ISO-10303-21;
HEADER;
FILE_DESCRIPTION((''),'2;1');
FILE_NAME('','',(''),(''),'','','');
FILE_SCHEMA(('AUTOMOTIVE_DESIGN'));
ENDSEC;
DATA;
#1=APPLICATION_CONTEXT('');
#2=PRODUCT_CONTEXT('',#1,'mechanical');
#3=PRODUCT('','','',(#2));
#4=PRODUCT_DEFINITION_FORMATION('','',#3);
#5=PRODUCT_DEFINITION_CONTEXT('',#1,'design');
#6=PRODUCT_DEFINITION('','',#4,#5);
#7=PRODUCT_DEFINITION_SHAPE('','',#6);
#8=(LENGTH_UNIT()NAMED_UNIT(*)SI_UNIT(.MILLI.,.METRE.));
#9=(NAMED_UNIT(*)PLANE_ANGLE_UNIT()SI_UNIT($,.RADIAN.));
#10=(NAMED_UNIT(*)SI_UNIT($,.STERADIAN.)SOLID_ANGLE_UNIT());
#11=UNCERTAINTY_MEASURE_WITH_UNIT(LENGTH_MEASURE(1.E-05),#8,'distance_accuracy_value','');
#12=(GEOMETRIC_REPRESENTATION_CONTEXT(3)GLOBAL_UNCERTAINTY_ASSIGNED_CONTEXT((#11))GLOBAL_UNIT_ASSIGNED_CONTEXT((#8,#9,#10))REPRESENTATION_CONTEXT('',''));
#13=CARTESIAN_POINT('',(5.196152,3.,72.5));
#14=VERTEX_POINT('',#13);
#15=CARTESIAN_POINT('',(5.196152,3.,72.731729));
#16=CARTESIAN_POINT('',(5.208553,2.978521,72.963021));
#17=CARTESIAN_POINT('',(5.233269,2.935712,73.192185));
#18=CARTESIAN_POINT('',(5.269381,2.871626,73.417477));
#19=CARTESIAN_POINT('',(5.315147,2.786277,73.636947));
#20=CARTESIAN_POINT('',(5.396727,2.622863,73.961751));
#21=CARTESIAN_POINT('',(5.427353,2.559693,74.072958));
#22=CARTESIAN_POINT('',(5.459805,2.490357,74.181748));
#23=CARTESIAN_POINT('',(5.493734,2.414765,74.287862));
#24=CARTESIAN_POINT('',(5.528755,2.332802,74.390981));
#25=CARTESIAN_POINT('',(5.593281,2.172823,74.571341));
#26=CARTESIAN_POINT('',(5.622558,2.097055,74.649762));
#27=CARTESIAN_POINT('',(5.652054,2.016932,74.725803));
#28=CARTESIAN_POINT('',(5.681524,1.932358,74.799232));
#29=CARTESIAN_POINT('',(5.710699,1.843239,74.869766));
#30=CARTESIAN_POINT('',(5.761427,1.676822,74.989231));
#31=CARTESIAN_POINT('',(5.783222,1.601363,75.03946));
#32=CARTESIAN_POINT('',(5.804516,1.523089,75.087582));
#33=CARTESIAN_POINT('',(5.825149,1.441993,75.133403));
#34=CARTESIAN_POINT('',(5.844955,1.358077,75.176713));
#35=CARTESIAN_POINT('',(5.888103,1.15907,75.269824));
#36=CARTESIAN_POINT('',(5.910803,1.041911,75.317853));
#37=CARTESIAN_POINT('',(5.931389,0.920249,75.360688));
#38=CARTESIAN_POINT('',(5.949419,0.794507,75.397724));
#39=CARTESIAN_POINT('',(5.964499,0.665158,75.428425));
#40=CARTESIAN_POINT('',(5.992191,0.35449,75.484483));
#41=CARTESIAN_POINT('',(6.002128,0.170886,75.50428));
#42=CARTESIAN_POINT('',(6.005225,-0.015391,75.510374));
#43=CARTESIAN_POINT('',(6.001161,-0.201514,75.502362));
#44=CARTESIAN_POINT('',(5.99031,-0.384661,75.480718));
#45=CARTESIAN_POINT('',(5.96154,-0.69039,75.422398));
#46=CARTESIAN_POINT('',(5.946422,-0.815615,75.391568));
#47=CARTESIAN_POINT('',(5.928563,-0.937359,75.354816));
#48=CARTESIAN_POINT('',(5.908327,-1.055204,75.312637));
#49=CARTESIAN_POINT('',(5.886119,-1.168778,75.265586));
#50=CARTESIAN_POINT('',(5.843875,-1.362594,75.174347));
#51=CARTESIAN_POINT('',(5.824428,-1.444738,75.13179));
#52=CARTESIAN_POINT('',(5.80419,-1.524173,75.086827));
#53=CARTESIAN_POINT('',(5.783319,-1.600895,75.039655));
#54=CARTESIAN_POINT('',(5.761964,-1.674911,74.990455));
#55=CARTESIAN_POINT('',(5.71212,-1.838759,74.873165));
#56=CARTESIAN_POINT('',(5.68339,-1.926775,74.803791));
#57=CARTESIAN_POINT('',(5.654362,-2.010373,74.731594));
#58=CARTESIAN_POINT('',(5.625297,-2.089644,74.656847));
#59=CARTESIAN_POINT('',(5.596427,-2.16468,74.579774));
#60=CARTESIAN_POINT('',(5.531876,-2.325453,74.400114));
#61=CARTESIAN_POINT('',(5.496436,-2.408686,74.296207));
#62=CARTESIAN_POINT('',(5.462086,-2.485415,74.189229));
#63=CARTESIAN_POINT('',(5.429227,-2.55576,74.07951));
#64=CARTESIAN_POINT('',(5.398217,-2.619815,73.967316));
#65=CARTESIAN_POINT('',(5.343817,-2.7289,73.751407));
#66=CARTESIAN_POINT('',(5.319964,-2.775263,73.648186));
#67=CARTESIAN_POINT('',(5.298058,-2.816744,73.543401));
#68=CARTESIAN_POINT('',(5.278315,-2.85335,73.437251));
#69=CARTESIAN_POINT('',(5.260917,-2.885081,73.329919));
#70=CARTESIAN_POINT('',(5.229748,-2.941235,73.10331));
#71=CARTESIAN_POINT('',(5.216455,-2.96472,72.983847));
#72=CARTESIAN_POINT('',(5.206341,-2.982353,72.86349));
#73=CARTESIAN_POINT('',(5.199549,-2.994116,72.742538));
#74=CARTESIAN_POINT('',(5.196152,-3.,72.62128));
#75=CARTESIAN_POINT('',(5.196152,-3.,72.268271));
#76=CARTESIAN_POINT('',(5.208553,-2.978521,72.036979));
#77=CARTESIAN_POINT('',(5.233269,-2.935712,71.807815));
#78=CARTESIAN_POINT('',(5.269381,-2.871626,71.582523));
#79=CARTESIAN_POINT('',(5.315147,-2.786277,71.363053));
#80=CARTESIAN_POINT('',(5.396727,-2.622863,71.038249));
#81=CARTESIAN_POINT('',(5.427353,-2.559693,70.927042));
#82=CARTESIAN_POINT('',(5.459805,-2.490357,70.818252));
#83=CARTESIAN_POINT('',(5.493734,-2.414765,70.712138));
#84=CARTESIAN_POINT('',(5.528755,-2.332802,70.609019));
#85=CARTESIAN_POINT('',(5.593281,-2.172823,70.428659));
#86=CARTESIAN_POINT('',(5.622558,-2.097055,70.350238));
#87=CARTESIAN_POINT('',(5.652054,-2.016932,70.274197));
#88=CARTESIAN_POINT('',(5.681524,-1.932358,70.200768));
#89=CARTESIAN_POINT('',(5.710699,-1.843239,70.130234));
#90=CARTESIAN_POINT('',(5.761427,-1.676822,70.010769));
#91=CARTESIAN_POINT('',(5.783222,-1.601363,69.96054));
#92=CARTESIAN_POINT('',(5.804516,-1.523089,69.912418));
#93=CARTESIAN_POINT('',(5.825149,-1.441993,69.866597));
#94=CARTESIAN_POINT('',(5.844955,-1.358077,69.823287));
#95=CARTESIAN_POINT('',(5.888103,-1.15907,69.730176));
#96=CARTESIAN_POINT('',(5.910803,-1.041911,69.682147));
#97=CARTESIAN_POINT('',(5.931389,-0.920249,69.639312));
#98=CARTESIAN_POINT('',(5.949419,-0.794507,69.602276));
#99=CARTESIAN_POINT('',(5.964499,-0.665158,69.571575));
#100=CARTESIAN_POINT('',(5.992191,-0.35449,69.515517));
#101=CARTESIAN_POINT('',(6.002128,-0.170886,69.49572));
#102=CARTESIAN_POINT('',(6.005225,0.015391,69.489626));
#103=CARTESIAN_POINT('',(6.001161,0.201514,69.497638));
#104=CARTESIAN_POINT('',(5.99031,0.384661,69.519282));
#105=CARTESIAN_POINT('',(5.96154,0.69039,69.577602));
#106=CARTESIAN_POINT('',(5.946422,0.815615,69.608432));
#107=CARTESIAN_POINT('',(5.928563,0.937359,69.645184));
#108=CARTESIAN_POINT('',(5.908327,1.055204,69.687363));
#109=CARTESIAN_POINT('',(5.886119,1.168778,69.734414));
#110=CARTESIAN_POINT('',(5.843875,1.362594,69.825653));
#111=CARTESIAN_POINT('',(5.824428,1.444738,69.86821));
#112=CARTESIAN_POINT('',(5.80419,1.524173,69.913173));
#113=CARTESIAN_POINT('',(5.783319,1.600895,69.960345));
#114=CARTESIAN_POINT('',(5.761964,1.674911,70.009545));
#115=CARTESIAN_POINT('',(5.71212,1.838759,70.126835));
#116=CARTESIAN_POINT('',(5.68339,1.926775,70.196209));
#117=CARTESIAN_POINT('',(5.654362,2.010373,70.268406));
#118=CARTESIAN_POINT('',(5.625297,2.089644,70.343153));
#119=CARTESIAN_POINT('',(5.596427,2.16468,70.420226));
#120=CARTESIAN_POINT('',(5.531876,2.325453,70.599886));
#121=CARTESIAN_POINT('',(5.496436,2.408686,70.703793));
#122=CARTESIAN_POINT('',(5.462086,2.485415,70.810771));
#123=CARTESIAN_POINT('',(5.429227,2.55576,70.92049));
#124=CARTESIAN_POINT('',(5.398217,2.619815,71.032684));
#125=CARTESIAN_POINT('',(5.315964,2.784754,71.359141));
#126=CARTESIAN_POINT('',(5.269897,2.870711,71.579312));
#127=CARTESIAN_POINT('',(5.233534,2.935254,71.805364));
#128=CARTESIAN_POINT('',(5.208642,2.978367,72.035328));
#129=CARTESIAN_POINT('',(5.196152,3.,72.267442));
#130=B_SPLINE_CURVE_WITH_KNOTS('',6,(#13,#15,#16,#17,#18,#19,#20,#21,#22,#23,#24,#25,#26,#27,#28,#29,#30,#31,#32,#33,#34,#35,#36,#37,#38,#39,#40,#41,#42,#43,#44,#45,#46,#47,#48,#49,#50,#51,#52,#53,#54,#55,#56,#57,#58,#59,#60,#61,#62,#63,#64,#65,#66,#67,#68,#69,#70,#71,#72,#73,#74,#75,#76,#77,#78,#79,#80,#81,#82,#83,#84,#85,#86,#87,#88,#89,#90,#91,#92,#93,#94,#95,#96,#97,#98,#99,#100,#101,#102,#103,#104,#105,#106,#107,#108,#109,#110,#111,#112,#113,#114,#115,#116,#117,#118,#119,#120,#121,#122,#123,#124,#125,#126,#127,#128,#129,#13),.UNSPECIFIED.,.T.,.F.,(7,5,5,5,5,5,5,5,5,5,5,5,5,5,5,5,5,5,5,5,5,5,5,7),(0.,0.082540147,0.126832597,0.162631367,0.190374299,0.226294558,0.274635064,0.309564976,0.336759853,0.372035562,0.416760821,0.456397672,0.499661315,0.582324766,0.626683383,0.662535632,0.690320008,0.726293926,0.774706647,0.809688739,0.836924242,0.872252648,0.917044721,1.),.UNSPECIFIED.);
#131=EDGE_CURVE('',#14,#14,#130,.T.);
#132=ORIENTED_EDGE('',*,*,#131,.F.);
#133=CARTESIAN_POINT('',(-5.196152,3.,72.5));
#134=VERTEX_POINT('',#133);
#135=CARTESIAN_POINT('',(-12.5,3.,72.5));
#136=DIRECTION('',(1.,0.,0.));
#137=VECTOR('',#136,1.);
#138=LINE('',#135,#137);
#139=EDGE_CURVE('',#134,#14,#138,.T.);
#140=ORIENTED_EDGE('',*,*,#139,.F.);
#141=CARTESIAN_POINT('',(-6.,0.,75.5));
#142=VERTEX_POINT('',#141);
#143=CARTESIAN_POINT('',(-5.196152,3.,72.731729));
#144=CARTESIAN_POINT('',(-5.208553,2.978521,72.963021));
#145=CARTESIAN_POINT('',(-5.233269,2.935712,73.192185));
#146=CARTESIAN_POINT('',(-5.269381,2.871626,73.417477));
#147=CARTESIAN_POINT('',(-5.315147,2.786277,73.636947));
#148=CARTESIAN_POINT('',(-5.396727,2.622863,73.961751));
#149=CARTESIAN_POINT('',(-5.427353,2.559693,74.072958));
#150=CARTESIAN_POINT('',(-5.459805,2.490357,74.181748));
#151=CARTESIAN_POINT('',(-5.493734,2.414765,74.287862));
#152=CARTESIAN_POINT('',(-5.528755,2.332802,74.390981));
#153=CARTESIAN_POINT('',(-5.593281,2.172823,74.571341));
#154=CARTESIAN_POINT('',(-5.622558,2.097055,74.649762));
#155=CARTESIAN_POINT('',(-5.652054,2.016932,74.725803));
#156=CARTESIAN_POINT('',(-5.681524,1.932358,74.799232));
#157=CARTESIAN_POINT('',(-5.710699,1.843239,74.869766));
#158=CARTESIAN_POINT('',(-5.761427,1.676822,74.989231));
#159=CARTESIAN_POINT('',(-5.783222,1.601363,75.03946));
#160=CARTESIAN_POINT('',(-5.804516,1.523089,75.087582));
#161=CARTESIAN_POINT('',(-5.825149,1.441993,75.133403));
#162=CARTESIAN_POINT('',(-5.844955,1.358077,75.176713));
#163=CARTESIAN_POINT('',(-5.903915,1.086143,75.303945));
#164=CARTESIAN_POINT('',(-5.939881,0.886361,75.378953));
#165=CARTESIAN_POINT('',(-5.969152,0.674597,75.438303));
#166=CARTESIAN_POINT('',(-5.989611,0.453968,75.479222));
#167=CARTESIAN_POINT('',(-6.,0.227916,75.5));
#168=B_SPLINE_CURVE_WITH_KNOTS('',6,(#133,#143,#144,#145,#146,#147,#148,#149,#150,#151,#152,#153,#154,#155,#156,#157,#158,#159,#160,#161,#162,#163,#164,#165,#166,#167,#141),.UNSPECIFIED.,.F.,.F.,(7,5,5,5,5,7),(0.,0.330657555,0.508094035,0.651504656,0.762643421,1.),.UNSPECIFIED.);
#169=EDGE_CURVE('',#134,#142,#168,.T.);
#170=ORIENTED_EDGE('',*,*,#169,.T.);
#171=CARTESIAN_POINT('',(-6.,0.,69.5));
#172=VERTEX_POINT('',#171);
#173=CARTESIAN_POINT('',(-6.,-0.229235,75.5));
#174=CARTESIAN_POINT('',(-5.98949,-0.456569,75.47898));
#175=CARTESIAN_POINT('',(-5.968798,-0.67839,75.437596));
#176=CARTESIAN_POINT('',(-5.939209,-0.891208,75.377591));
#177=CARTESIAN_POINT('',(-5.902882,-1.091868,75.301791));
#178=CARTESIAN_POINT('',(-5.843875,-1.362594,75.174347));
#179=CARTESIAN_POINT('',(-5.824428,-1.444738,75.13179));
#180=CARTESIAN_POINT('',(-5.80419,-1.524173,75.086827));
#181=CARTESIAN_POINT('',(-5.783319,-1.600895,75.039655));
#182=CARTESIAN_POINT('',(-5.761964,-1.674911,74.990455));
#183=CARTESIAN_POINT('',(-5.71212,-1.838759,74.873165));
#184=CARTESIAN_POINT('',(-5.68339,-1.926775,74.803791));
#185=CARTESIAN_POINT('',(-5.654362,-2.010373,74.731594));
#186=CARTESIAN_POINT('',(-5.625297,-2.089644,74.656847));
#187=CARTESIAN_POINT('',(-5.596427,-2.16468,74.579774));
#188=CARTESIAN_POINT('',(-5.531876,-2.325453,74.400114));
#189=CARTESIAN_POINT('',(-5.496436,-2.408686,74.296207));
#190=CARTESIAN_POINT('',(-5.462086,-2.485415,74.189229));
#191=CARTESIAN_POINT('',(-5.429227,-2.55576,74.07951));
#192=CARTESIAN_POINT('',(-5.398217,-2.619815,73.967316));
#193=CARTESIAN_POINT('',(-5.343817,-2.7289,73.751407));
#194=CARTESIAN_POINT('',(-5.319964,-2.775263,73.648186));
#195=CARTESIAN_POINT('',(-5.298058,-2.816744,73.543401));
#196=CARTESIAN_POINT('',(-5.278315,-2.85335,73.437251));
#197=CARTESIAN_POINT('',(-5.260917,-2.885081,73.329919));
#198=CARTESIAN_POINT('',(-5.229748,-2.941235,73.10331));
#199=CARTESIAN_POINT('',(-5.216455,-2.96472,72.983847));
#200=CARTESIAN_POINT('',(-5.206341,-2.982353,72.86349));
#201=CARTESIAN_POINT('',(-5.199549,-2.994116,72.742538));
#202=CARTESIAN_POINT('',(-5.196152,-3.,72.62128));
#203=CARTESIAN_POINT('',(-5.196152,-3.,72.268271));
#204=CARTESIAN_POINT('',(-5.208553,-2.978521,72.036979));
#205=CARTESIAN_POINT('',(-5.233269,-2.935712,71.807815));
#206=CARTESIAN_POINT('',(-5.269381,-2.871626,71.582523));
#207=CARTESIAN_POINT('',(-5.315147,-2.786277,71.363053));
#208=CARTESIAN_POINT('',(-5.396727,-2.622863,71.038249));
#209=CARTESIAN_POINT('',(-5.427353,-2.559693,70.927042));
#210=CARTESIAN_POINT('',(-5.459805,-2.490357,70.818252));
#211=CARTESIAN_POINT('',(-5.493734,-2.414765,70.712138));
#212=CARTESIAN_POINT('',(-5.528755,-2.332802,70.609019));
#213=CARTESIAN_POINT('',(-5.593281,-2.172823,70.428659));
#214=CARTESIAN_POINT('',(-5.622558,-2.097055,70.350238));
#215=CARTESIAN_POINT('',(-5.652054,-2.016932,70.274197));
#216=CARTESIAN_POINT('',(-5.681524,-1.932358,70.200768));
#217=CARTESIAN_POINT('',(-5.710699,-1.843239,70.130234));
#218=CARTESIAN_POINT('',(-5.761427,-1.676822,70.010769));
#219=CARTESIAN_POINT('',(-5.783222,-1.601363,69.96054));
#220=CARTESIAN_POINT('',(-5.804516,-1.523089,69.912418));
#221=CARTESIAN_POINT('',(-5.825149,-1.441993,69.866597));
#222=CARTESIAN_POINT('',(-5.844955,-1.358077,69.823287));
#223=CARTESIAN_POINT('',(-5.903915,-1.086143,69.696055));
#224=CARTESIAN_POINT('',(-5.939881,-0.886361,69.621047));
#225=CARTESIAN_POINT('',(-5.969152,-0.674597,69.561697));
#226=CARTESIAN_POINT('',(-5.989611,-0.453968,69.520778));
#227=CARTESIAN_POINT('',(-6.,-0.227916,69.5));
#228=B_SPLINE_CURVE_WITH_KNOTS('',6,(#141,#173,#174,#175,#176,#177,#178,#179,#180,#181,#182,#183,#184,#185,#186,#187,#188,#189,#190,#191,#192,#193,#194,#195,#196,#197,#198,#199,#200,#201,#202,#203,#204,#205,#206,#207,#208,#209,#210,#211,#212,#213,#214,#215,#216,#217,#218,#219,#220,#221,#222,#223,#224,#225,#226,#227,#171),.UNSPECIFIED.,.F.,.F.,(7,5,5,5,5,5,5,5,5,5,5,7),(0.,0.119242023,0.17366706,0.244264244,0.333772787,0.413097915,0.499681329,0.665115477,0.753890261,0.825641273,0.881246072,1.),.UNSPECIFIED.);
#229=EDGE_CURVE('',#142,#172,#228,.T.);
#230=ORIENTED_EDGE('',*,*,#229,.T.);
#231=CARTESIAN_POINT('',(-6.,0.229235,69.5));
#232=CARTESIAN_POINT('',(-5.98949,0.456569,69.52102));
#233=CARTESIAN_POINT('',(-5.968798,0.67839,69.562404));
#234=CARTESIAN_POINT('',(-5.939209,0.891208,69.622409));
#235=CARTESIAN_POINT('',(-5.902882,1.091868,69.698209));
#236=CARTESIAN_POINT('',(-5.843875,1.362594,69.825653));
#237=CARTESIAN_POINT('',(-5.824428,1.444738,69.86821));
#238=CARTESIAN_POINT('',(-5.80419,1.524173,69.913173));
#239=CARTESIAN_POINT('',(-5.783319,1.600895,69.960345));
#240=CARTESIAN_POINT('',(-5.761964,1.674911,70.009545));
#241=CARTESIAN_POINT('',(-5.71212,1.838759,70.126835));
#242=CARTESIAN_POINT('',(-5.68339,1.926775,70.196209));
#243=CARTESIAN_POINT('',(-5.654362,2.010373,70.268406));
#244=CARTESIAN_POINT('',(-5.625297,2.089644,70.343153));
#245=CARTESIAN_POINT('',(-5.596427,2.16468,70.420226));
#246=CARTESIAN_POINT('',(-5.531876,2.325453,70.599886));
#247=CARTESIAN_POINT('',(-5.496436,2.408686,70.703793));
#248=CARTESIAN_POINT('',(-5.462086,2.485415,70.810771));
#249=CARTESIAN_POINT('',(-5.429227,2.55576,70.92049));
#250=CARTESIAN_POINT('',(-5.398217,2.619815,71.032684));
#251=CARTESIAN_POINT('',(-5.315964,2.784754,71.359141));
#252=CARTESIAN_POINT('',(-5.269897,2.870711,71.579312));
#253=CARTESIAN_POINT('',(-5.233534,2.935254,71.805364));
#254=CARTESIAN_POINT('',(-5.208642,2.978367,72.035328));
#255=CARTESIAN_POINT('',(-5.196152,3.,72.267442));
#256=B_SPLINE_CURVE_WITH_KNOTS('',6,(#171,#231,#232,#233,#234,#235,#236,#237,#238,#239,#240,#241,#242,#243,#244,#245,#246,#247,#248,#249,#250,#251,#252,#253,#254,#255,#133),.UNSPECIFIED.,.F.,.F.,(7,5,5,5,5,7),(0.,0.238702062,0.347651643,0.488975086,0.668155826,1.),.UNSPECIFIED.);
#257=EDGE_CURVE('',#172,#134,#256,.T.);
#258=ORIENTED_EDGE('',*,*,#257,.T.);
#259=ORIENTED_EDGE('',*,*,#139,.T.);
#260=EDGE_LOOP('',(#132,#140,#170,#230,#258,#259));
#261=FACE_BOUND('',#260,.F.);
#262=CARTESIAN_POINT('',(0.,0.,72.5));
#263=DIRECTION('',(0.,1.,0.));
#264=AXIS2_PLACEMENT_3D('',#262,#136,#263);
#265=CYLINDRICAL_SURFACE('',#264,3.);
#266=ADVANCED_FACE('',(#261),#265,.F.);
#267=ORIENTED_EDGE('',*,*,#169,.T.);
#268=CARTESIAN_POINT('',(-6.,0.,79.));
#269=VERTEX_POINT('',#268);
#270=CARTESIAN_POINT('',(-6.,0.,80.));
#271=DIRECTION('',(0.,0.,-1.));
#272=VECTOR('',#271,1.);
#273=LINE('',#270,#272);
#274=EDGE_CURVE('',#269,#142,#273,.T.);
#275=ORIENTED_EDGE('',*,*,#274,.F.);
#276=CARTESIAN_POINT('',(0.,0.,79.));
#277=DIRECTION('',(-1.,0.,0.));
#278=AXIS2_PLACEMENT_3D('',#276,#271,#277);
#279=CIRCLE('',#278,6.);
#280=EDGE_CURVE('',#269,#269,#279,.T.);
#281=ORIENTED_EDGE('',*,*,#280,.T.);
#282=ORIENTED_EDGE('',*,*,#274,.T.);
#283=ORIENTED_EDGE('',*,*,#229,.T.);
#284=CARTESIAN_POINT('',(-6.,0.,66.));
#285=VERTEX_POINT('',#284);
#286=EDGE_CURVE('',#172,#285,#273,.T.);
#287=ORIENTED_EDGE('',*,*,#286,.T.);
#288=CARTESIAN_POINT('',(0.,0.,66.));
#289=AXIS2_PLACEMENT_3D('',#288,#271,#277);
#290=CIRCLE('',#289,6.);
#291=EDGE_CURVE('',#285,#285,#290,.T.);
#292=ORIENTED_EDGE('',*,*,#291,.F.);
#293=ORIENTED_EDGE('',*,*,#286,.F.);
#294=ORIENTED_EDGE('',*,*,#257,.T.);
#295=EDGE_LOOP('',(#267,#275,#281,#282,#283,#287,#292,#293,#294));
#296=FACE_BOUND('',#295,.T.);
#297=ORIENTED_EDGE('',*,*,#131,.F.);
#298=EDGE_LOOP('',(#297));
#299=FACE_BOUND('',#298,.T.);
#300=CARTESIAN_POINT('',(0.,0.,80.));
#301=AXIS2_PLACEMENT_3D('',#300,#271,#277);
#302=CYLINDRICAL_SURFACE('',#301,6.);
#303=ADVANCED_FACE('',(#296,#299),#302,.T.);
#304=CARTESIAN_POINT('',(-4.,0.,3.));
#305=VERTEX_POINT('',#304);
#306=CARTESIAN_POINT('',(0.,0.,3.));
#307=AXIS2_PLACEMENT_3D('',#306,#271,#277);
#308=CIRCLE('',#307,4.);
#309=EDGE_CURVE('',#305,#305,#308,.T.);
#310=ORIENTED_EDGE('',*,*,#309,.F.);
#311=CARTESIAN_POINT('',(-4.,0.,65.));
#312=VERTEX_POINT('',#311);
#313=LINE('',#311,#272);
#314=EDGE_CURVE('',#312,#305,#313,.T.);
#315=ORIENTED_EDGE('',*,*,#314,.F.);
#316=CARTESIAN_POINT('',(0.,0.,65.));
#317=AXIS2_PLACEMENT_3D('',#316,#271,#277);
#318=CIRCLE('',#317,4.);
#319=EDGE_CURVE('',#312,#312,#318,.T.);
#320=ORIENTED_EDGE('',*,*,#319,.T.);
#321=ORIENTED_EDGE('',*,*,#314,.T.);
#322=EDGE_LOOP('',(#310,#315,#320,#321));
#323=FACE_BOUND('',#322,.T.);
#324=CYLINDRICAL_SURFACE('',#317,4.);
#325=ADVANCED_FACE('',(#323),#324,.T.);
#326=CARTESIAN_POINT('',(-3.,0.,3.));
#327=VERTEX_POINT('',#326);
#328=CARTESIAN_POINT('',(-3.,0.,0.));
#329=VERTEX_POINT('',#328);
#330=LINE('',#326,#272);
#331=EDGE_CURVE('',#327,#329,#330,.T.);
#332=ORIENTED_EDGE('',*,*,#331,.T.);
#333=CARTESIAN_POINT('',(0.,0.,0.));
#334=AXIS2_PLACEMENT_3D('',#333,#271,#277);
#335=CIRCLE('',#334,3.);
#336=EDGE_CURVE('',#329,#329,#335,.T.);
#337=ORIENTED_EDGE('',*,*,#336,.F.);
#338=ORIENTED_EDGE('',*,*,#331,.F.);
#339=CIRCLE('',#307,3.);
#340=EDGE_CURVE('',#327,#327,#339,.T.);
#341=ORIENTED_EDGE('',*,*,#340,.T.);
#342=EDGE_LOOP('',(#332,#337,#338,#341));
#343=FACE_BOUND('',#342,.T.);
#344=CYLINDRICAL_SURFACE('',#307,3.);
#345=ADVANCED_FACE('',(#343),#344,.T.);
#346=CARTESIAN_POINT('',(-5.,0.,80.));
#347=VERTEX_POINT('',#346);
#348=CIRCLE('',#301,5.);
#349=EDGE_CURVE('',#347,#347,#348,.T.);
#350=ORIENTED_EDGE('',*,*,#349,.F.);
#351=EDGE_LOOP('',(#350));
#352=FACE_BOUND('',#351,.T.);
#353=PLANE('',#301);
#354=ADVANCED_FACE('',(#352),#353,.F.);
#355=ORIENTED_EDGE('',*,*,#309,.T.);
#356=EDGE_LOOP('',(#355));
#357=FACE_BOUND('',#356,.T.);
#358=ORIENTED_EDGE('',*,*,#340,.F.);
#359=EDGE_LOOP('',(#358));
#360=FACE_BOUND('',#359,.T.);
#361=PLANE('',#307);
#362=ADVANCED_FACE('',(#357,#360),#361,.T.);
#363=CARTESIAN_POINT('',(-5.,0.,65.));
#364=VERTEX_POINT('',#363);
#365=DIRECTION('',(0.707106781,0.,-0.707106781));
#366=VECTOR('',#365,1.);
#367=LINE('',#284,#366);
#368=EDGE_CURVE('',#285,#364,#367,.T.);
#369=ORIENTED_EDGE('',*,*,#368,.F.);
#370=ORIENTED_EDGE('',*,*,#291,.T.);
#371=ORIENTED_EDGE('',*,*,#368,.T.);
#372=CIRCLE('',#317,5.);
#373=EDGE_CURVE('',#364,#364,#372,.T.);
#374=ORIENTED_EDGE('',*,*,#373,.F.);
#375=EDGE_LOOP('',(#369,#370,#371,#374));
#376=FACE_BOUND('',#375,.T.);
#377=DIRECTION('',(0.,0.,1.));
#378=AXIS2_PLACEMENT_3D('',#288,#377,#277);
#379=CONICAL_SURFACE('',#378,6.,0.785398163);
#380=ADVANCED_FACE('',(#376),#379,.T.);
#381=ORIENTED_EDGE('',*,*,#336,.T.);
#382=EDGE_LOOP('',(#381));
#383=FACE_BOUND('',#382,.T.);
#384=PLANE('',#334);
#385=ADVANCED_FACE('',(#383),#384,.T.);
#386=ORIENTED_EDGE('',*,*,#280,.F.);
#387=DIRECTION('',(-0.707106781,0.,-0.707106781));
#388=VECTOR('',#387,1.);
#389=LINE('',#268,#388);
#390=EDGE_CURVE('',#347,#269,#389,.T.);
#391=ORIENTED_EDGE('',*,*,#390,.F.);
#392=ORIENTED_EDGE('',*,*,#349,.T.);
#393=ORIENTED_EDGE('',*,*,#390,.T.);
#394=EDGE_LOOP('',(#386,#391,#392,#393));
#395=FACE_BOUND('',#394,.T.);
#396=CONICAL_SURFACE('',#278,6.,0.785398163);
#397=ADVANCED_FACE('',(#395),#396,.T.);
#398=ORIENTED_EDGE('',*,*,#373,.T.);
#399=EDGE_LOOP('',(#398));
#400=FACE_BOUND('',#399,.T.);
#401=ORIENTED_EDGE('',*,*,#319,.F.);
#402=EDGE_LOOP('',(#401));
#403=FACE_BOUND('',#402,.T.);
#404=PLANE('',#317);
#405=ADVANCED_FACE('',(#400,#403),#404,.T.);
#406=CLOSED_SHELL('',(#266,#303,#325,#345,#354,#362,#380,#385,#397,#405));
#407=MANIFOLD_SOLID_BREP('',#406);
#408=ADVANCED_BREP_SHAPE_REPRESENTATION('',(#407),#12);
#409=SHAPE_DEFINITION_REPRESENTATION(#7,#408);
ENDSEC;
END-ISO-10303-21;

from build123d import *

# Parameters (mm, degrees)
F2_SIZE2 = 1
F2_SIZE  = 1
F3_R     = 3
F4_DEPTH = 12.5


with BuildPart() as f1:
    # F0 (on Front) → F1 (revolve)
    with BuildSketch(Plane.XZ):
        Polygon((-4, 65), (-4, 3), (-3, 3), (-3, 0), (0, 0), (0, 80), (-6, 80), (-6, 65), align=None)
    revolve(axis=Axis((0, 0, 40), (0, 0, -1)))

    # F2
    f2_edges = [f1.edges().sort_by_distance(p)[0] for p in [
        (6, 0, 80),
        (6, 0, 65),
    ]]
    chamfer(f2_edges, length=F2_SIZE, length2=F2_SIZE2)

    # F3 (on Right) → F4 (cut, symmetric)
    with BuildSketch(Plane.YZ):
        with Locations((0, 72.5)):
            Circle(F3_R)
    extrude(amount=F4_DEPTH, both=True, mode=Mode.SUBTRACT)


solid = f1.part
